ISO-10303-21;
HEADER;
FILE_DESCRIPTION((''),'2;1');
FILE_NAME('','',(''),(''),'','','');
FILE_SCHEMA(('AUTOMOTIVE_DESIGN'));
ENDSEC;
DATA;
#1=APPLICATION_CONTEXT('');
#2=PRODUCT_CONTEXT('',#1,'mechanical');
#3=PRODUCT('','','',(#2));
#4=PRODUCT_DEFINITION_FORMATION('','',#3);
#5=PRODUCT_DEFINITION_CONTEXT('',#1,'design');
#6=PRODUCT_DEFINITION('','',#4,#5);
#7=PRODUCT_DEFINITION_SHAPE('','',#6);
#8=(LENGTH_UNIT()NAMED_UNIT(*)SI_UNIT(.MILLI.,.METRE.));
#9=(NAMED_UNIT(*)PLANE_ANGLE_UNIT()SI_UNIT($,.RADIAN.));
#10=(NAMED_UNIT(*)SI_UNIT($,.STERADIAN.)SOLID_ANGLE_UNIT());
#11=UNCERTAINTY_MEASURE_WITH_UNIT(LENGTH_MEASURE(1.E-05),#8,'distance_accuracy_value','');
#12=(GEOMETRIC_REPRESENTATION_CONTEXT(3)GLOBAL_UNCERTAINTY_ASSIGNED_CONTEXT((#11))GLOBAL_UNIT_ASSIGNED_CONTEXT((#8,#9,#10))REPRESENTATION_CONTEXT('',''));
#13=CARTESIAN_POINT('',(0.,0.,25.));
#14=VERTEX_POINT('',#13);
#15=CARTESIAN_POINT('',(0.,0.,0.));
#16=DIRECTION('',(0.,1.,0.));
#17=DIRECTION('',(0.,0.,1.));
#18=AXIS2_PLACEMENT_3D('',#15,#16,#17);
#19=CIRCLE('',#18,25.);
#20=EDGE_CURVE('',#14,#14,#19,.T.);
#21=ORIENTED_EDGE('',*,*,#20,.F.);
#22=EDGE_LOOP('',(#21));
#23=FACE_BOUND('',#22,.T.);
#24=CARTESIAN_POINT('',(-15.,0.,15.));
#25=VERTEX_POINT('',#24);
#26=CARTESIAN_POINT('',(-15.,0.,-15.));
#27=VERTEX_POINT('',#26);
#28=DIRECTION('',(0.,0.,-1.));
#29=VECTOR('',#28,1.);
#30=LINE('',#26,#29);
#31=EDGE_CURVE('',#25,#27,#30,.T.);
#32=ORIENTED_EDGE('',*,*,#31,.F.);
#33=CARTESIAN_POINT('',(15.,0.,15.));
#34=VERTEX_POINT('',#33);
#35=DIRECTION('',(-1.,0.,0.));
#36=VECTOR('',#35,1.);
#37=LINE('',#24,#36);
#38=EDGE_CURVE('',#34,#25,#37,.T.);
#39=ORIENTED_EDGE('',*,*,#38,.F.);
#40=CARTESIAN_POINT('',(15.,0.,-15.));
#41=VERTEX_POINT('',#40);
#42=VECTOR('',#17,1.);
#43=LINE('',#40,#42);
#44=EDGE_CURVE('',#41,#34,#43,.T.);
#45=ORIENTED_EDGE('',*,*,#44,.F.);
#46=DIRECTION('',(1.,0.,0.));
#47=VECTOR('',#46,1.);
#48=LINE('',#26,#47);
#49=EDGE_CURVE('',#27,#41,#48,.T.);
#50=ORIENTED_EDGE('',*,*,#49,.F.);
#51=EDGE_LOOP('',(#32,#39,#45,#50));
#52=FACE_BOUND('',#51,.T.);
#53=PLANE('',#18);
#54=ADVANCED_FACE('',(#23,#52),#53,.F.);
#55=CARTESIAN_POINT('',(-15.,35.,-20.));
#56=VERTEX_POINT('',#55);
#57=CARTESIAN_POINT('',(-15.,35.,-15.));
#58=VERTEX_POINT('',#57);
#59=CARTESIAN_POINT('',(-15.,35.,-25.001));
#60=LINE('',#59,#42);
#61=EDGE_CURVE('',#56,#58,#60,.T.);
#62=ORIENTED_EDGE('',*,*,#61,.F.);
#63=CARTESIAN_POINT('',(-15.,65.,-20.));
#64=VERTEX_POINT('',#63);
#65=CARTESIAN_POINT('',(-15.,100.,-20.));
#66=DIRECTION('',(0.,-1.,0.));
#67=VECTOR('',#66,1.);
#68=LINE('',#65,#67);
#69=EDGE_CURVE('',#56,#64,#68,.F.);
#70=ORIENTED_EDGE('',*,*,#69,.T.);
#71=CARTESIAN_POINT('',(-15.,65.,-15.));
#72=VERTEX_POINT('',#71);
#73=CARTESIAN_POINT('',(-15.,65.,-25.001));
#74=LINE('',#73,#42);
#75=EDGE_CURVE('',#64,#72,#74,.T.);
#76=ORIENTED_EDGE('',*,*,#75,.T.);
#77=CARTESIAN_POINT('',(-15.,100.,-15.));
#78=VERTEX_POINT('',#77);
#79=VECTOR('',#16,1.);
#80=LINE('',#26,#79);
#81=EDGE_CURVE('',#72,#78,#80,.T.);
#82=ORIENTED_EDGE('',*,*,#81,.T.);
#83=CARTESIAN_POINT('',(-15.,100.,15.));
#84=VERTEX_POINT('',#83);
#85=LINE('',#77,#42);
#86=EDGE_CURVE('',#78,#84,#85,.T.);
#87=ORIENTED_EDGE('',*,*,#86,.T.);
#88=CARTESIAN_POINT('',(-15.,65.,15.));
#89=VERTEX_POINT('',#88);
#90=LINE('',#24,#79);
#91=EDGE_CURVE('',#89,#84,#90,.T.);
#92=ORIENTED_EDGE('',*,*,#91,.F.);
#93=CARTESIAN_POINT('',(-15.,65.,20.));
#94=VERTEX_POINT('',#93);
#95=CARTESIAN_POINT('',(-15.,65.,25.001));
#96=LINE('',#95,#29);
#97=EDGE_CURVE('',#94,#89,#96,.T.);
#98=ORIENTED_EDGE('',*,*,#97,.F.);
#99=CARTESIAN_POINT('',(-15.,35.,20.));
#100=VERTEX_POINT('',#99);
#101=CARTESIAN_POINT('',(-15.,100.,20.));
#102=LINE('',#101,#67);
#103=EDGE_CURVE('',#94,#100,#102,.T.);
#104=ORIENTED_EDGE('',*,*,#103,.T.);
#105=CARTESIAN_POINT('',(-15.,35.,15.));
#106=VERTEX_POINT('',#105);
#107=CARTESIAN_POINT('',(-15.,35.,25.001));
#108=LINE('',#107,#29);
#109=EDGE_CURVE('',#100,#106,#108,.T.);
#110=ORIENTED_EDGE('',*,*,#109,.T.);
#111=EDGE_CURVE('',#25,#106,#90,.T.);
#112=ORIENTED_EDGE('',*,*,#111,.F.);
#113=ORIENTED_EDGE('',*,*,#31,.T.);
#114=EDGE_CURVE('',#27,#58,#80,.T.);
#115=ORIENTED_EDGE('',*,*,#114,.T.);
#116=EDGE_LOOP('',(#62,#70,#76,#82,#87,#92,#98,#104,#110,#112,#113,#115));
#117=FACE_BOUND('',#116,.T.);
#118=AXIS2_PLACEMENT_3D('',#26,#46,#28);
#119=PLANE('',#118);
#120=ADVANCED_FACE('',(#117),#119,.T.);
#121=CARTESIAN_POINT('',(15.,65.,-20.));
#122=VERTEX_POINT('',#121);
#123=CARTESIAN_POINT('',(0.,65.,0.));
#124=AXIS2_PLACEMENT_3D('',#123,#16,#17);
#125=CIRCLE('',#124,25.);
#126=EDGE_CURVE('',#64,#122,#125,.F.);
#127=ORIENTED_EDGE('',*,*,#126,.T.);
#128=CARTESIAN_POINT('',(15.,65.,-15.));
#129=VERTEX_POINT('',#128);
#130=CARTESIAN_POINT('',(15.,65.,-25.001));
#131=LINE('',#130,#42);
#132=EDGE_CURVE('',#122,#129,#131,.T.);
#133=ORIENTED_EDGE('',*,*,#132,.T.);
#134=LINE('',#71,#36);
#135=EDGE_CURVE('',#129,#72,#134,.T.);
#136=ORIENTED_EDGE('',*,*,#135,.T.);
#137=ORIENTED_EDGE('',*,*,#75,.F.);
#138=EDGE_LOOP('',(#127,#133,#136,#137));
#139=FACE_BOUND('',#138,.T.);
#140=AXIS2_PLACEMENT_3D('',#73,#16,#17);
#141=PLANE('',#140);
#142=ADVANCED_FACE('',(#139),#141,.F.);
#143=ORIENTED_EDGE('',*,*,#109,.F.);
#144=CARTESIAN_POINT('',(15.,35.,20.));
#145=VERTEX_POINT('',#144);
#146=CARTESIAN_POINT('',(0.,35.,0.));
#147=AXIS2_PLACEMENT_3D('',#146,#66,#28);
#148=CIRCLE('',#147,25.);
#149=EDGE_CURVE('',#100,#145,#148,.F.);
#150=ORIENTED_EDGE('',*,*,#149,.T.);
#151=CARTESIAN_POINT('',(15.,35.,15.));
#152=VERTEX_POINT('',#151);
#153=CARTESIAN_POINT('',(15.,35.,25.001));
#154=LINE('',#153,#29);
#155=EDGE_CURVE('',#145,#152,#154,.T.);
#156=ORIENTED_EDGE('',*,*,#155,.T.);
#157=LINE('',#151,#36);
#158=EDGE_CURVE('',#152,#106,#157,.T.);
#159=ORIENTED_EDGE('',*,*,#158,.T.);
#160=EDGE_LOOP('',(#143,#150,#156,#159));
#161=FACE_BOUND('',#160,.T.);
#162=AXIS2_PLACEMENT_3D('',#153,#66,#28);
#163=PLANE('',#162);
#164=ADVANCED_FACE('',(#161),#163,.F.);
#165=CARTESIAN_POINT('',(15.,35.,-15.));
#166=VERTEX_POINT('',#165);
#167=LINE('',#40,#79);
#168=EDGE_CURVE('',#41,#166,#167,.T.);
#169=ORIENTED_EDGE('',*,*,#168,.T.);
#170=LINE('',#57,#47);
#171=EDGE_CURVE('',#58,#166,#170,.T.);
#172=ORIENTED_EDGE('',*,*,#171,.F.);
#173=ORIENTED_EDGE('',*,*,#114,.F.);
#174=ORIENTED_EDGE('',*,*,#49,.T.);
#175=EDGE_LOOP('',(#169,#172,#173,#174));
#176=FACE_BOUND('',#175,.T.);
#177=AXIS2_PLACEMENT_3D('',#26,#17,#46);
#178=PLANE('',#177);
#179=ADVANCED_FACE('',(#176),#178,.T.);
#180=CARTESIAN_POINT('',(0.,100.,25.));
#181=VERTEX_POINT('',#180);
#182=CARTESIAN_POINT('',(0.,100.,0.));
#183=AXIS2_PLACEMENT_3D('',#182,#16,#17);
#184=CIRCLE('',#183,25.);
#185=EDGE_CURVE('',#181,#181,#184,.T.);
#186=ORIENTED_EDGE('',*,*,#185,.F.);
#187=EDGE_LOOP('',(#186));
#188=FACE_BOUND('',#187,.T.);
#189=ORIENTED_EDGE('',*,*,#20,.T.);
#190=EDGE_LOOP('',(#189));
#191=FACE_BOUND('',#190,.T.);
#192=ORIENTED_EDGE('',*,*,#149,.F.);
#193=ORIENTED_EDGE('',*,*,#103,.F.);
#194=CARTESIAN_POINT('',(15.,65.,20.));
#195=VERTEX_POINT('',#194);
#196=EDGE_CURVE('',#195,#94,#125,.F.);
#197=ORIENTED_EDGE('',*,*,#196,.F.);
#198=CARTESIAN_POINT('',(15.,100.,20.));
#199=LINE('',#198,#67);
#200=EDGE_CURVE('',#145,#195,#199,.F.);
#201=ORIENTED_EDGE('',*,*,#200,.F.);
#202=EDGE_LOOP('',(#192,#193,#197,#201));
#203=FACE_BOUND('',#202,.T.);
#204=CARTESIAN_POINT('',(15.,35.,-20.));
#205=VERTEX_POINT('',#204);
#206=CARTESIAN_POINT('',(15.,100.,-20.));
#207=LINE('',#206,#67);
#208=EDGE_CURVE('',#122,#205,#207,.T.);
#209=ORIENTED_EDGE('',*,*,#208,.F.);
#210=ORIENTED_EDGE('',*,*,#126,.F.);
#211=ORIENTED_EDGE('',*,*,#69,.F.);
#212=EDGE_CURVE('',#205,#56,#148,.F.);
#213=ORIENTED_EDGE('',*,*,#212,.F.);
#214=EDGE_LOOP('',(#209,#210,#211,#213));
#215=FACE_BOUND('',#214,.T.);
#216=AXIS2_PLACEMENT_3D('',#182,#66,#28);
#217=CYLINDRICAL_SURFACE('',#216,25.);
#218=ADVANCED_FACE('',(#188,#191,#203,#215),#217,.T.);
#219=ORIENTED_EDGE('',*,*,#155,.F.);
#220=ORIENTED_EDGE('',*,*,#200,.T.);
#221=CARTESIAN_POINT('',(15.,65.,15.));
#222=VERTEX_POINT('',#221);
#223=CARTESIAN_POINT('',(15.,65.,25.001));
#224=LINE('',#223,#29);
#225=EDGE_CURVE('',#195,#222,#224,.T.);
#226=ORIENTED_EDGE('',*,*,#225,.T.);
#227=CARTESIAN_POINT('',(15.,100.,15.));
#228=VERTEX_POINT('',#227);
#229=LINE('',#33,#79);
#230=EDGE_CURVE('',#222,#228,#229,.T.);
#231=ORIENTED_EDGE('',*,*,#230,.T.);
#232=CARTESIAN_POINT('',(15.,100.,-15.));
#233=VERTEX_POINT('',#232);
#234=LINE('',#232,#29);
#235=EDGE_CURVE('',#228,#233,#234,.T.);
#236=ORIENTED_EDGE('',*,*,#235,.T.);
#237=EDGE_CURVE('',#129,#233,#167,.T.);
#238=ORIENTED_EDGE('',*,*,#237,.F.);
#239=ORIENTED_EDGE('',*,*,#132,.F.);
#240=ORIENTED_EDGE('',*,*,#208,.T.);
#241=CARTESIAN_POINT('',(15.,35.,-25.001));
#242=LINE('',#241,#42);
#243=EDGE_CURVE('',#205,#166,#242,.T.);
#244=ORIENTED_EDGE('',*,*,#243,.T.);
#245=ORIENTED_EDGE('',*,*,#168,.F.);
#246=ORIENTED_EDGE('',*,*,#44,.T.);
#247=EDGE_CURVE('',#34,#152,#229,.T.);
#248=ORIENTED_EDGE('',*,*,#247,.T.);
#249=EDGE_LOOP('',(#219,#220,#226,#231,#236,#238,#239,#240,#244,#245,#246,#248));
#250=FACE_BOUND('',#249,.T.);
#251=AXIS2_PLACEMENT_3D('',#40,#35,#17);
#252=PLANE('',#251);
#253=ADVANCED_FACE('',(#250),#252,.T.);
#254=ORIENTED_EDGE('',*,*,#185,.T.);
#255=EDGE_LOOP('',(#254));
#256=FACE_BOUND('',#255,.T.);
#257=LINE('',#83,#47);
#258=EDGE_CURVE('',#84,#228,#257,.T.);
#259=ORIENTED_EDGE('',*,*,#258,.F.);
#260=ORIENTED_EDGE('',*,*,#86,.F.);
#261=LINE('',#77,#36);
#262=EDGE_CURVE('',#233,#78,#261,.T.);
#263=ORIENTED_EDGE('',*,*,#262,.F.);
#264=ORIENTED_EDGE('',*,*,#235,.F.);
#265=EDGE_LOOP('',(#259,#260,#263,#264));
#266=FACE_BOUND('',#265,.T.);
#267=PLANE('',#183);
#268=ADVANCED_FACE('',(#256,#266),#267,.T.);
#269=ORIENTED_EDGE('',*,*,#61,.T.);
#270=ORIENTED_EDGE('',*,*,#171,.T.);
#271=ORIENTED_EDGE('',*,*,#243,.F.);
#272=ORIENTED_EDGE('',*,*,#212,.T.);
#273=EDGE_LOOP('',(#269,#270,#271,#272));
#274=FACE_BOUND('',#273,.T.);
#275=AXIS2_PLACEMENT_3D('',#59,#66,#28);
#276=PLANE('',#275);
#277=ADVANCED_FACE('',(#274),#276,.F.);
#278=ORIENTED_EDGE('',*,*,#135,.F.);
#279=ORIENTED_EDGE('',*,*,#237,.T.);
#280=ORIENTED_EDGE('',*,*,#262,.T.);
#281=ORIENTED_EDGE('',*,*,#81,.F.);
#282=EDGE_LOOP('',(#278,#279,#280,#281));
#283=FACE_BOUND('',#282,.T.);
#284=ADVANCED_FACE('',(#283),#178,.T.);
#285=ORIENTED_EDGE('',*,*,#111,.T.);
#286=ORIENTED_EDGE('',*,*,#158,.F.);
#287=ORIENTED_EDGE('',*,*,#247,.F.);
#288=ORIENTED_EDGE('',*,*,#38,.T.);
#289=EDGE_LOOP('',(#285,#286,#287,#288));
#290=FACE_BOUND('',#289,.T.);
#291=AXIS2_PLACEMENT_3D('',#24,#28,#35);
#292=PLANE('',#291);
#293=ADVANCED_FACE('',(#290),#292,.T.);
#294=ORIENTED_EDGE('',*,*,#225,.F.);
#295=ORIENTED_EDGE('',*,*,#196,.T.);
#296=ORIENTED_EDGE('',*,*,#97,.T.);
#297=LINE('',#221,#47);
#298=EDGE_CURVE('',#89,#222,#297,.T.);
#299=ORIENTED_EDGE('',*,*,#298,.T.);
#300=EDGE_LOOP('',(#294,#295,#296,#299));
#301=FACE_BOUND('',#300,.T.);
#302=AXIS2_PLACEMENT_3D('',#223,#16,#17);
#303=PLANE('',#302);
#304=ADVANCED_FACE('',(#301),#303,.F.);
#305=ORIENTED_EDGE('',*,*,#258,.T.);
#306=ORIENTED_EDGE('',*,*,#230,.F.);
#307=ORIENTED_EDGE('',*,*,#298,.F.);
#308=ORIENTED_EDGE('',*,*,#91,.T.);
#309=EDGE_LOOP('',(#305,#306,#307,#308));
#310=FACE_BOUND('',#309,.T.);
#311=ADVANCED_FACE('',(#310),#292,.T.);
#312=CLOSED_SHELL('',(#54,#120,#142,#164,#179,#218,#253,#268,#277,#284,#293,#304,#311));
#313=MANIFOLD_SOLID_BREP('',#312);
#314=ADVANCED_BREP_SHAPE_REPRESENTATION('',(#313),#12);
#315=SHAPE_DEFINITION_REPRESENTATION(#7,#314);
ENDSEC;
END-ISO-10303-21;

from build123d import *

# Parameters (mm, degrees)
SKETCH1_R               = 25
BOSS_EXTRUDE1_DEPTH     = 100
CUT_EXTRUDE1_DEPTH      = 100
CUT_EXTRUDE2_REACH      = 112.567
CUT_EXTRUDE2_END_RADIUS = 25
SKETCH3_W               = 30
SKETCH3_H               = 30
CUT_EXTRUDE3_REACH      = 112.567
CUT_EXTRUDE3_END_RADIUS = 25
SKETCH4_W               = 30
SKETCH4_H               = 30


with BuildPart() as part:
    # Sketch1 → Boss-Extrude1 (new body)
    with BuildSketch(Plane(origin=(0, 0, 0), x_dir=(1, 0, 0), z_dir=(0, 1, 0))):
        with Locations(Location((0, 0, 0), (0, 0, 270))):
            Circle(SKETCH1_R)
    extrude(amount=BOSS_EXTRUDE1_DEPTH)

    # 3DSketch4 → Cut-Extrude1 (cut)
    with BuildSketch(Plane(origin=(-15, 0, -15), x_dir=(0.7071067811865476, 0, 0.7071067811865476), z_dir=(0, 1, 0))):
        Polygon((0, 0), (21.213203436, 21.213203436), (42.426406871, 0), (21.213203436, -21.213203436), align=None)
    extrude(amount=CUT_EXTRUDE1_DEPTH, mode=Mode.SUBTRACT)

    # Cut-Extrude2: up to this cylinder (the profile starts inside it)
    cut_extrude2_end = Plane(origin=(0, 50, 0), z_dir=(0, -1, 0)) * Cylinder(CUT_EXTRUDE2_END_RADIUS, 276.134, mode=Mode.PRIVATE)
    # Sketch3 → Cut-Extrude2 (cut, up to the surface)
    with BuildSketch(Plane.XY.offset(-15), mode=Mode.PRIVATE) as cut_extrude2_sk1:
        with Locations((0, 50)):
            Rectangle(SKETCH3_W, SKETCH3_H)
    cut_extrude2_tool1 = extrude(cut_extrude2_sk1.sketch, amount=-CUT_EXTRUDE2_REACH, mode=Mode.PRIVATE) & cut_extrude2_end
    add(cut_extrude2_tool1.solids().sort_by_distance((0, 50, -15))[0], mode=Mode.SUBTRACT)

    # Cut-Extrude3: up to this cylinder (the profile starts inside it)
    cut_extrude3_end = Plane(origin=(0, 50, 0), z_dir=(0, -1, 0)) * Cylinder(CUT_EXTRUDE3_END_RADIUS, 276.134, mode=Mode.PRIVATE)
    # Sketch4 → Cut-Extrude3 (cut, up to the surface)
    with BuildSketch(Plane(origin=(0, 0, 15), x_dir=(-1, 0, 0), z_dir=(0, 0, -1)), mode=Mode.PRIVATE) as cut_extrude3_sk1:
        with Locations((0, 50)):
            Rectangle(SKETCH4_W, SKETCH4_H)
    cut_extrude3_tool1 = extrude(cut_extrude3_sk1.sketch, amount=-CUT_EXTRUDE3_REACH, mode=Mode.PRIVATE) & cut_extrude3_end
    add(cut_extrude3_tool1.solids().sort_by_distance((0, 50, 15))[0], mode=Mode.SUBTRACT)


solid = part.part
